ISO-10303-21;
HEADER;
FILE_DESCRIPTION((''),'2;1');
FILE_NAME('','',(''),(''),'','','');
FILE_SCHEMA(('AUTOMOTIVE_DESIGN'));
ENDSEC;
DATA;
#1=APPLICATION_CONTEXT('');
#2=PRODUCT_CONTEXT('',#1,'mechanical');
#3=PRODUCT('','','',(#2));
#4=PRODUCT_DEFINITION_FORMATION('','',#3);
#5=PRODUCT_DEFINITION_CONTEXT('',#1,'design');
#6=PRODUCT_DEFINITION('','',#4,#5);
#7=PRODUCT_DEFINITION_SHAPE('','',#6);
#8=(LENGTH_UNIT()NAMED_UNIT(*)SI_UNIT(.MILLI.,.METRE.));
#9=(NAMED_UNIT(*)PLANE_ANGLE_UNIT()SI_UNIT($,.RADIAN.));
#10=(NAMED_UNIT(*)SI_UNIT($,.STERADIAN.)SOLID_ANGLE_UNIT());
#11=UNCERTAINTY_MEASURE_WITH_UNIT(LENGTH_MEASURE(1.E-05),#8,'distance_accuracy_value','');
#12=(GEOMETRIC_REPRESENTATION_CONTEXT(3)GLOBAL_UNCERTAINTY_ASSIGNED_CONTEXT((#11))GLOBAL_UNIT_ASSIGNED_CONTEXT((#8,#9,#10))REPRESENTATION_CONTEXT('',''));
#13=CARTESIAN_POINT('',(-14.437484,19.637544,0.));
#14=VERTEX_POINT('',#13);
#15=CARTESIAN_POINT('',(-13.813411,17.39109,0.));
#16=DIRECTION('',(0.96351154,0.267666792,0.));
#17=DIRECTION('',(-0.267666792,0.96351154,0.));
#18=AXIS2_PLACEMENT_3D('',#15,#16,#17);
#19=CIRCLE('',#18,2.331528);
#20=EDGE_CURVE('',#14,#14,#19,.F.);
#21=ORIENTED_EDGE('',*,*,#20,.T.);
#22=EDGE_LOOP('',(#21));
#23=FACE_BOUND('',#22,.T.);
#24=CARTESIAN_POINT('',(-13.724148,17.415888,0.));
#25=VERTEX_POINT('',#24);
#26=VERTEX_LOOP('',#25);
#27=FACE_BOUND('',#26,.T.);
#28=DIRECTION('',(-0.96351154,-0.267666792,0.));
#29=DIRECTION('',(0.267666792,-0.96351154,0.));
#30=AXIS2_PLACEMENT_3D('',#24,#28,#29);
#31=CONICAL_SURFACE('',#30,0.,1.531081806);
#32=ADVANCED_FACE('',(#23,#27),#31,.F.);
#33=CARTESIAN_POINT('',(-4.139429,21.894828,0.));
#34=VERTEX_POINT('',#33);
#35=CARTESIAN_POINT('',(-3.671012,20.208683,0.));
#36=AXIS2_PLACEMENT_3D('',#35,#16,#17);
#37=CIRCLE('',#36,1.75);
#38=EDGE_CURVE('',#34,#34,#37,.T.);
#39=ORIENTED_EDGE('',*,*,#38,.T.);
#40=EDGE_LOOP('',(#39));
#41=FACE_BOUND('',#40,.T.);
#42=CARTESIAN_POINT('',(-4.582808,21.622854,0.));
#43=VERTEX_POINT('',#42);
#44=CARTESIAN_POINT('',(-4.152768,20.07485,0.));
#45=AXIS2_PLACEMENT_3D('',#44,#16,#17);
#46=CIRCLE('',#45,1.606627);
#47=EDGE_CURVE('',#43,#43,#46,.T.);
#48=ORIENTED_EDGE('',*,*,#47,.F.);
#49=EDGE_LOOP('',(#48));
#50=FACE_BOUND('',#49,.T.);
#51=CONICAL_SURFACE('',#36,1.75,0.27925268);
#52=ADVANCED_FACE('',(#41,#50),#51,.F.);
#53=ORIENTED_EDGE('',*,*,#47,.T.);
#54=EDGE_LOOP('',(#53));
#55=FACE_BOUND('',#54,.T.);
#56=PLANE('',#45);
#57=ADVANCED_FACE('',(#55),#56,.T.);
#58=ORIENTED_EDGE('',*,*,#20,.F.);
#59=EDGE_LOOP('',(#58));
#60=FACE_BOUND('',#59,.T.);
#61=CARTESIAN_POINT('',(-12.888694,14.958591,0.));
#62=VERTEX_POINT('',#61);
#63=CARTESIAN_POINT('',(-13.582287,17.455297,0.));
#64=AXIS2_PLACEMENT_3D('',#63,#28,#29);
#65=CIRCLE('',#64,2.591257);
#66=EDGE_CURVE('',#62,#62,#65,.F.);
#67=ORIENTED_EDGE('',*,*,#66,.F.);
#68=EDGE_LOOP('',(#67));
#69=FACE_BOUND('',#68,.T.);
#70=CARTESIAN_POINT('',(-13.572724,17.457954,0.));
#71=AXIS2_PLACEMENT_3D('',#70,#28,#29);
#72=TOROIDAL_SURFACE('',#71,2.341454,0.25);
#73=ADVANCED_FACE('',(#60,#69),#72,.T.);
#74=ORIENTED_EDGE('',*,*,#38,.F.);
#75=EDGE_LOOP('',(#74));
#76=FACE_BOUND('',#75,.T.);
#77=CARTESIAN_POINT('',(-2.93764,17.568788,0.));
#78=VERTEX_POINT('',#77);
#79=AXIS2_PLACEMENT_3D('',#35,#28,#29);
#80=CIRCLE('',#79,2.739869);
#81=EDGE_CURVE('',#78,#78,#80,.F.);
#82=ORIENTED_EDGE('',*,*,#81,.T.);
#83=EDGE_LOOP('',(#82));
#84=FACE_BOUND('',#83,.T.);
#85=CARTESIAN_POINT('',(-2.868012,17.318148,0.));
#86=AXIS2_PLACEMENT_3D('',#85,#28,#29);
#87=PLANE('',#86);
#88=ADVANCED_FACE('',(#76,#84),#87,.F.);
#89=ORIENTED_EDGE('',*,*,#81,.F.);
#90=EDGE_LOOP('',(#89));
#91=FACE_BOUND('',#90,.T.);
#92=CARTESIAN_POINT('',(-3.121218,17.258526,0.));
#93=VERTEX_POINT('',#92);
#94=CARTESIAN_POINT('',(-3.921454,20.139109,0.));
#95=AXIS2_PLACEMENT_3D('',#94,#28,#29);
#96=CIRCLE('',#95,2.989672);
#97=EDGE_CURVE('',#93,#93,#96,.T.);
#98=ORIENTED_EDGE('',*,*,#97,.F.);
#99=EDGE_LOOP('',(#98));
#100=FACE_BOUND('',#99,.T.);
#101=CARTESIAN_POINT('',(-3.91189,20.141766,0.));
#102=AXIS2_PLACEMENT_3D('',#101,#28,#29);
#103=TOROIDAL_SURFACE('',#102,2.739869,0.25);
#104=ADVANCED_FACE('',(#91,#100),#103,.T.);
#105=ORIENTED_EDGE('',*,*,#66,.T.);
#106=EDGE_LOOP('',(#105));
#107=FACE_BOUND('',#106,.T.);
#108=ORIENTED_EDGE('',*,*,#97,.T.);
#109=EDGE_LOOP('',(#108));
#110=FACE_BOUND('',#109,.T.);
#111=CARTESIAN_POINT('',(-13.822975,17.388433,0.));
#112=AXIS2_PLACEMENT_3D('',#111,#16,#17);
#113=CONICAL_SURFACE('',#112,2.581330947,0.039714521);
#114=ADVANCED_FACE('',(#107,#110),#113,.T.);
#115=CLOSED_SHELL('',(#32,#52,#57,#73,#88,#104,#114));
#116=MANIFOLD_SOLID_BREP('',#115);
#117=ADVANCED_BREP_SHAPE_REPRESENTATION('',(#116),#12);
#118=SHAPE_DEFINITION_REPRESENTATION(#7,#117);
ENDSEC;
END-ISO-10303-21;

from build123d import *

# Parameters (mm, degrees)
ESQUISSE3_R             = 1.75
ENL_V_MAT_EXTRU_1_DEPTH = 0.5
ENL_V_MAT_EXTRU_1_DRAFT = -16
CONG_1_R                = 0.25


with BuildPart() as part:
    # Esquisse1 → Base-Révolution (revolve)
    with BuildSketch(Plane.XY):
        Polygon((-3.671011888, 20.208682969), (-13.724147668, 17.415887566), (-13.132038717, 14.901290759), (-2.868011513, 17.318148347), align=None)
    revolve(axis=Axis((5.13679497, 22.65552175, 0), (-0.9635115404771745, -0.2676667916782024, 0)))


with BuildPart() as enl_v_mat_extru_1_tool:
    # Esquisse3 → Enlèv. mat.-Extru.1 (with draft: the straight prism first)
    with BuildSketch(Plane(origin=(1.80645753, 0.491612486, 0), x_dir=(0, 0, -1), z_dir=(0.9635115404771745, 0.2676667916782024, 0))):
        with Locations((0, 20.463761621)):
            Circle(ESQUISSE3_R)
    extrude(amount=-ENL_V_MAT_EXTRU_1_DEPTH)
    # Enlèv. mat.-Extru.1: the draft: its side faces are tilted about the plane it starts from
    enl_v_mat_extru_1_sides = [enl_v_mat_extru_1_tool.faces().sort_by_distance(p)[0] for p in [
        (-3.911889774, 20.141766271, 1.75),
    ]]
    draft(enl_v_mat_extru_1_sides, Plane(origin=(1.80645753, 0.491612486, 0), x_dir=(0, 0, -1), z_dir=(0.9635115404771745, 0.2676667916782024, 0)), ENL_V_MAT_EXTRU_1_DRAFT)


with BuildPart() as part_1:
    add(part.part)

    # Enlèv. mat.-Extru.1: cut by enl_v_mat_extru_1_tool
    add(enl_v_mat_extru_1_tool.part, mode=Mode.SUBTRACT)

    # Congé1
    cong_1_edges = [part_1.edges().sort_by_distance(p)[0] for p in [
        (-14.513911863, 19.875575073, 0),
        (-4.474012264, 23.09921759, 0),
    ]]
    fillet(cong_1_edges, radius=CONG_1_R)


solid = part_1.part
